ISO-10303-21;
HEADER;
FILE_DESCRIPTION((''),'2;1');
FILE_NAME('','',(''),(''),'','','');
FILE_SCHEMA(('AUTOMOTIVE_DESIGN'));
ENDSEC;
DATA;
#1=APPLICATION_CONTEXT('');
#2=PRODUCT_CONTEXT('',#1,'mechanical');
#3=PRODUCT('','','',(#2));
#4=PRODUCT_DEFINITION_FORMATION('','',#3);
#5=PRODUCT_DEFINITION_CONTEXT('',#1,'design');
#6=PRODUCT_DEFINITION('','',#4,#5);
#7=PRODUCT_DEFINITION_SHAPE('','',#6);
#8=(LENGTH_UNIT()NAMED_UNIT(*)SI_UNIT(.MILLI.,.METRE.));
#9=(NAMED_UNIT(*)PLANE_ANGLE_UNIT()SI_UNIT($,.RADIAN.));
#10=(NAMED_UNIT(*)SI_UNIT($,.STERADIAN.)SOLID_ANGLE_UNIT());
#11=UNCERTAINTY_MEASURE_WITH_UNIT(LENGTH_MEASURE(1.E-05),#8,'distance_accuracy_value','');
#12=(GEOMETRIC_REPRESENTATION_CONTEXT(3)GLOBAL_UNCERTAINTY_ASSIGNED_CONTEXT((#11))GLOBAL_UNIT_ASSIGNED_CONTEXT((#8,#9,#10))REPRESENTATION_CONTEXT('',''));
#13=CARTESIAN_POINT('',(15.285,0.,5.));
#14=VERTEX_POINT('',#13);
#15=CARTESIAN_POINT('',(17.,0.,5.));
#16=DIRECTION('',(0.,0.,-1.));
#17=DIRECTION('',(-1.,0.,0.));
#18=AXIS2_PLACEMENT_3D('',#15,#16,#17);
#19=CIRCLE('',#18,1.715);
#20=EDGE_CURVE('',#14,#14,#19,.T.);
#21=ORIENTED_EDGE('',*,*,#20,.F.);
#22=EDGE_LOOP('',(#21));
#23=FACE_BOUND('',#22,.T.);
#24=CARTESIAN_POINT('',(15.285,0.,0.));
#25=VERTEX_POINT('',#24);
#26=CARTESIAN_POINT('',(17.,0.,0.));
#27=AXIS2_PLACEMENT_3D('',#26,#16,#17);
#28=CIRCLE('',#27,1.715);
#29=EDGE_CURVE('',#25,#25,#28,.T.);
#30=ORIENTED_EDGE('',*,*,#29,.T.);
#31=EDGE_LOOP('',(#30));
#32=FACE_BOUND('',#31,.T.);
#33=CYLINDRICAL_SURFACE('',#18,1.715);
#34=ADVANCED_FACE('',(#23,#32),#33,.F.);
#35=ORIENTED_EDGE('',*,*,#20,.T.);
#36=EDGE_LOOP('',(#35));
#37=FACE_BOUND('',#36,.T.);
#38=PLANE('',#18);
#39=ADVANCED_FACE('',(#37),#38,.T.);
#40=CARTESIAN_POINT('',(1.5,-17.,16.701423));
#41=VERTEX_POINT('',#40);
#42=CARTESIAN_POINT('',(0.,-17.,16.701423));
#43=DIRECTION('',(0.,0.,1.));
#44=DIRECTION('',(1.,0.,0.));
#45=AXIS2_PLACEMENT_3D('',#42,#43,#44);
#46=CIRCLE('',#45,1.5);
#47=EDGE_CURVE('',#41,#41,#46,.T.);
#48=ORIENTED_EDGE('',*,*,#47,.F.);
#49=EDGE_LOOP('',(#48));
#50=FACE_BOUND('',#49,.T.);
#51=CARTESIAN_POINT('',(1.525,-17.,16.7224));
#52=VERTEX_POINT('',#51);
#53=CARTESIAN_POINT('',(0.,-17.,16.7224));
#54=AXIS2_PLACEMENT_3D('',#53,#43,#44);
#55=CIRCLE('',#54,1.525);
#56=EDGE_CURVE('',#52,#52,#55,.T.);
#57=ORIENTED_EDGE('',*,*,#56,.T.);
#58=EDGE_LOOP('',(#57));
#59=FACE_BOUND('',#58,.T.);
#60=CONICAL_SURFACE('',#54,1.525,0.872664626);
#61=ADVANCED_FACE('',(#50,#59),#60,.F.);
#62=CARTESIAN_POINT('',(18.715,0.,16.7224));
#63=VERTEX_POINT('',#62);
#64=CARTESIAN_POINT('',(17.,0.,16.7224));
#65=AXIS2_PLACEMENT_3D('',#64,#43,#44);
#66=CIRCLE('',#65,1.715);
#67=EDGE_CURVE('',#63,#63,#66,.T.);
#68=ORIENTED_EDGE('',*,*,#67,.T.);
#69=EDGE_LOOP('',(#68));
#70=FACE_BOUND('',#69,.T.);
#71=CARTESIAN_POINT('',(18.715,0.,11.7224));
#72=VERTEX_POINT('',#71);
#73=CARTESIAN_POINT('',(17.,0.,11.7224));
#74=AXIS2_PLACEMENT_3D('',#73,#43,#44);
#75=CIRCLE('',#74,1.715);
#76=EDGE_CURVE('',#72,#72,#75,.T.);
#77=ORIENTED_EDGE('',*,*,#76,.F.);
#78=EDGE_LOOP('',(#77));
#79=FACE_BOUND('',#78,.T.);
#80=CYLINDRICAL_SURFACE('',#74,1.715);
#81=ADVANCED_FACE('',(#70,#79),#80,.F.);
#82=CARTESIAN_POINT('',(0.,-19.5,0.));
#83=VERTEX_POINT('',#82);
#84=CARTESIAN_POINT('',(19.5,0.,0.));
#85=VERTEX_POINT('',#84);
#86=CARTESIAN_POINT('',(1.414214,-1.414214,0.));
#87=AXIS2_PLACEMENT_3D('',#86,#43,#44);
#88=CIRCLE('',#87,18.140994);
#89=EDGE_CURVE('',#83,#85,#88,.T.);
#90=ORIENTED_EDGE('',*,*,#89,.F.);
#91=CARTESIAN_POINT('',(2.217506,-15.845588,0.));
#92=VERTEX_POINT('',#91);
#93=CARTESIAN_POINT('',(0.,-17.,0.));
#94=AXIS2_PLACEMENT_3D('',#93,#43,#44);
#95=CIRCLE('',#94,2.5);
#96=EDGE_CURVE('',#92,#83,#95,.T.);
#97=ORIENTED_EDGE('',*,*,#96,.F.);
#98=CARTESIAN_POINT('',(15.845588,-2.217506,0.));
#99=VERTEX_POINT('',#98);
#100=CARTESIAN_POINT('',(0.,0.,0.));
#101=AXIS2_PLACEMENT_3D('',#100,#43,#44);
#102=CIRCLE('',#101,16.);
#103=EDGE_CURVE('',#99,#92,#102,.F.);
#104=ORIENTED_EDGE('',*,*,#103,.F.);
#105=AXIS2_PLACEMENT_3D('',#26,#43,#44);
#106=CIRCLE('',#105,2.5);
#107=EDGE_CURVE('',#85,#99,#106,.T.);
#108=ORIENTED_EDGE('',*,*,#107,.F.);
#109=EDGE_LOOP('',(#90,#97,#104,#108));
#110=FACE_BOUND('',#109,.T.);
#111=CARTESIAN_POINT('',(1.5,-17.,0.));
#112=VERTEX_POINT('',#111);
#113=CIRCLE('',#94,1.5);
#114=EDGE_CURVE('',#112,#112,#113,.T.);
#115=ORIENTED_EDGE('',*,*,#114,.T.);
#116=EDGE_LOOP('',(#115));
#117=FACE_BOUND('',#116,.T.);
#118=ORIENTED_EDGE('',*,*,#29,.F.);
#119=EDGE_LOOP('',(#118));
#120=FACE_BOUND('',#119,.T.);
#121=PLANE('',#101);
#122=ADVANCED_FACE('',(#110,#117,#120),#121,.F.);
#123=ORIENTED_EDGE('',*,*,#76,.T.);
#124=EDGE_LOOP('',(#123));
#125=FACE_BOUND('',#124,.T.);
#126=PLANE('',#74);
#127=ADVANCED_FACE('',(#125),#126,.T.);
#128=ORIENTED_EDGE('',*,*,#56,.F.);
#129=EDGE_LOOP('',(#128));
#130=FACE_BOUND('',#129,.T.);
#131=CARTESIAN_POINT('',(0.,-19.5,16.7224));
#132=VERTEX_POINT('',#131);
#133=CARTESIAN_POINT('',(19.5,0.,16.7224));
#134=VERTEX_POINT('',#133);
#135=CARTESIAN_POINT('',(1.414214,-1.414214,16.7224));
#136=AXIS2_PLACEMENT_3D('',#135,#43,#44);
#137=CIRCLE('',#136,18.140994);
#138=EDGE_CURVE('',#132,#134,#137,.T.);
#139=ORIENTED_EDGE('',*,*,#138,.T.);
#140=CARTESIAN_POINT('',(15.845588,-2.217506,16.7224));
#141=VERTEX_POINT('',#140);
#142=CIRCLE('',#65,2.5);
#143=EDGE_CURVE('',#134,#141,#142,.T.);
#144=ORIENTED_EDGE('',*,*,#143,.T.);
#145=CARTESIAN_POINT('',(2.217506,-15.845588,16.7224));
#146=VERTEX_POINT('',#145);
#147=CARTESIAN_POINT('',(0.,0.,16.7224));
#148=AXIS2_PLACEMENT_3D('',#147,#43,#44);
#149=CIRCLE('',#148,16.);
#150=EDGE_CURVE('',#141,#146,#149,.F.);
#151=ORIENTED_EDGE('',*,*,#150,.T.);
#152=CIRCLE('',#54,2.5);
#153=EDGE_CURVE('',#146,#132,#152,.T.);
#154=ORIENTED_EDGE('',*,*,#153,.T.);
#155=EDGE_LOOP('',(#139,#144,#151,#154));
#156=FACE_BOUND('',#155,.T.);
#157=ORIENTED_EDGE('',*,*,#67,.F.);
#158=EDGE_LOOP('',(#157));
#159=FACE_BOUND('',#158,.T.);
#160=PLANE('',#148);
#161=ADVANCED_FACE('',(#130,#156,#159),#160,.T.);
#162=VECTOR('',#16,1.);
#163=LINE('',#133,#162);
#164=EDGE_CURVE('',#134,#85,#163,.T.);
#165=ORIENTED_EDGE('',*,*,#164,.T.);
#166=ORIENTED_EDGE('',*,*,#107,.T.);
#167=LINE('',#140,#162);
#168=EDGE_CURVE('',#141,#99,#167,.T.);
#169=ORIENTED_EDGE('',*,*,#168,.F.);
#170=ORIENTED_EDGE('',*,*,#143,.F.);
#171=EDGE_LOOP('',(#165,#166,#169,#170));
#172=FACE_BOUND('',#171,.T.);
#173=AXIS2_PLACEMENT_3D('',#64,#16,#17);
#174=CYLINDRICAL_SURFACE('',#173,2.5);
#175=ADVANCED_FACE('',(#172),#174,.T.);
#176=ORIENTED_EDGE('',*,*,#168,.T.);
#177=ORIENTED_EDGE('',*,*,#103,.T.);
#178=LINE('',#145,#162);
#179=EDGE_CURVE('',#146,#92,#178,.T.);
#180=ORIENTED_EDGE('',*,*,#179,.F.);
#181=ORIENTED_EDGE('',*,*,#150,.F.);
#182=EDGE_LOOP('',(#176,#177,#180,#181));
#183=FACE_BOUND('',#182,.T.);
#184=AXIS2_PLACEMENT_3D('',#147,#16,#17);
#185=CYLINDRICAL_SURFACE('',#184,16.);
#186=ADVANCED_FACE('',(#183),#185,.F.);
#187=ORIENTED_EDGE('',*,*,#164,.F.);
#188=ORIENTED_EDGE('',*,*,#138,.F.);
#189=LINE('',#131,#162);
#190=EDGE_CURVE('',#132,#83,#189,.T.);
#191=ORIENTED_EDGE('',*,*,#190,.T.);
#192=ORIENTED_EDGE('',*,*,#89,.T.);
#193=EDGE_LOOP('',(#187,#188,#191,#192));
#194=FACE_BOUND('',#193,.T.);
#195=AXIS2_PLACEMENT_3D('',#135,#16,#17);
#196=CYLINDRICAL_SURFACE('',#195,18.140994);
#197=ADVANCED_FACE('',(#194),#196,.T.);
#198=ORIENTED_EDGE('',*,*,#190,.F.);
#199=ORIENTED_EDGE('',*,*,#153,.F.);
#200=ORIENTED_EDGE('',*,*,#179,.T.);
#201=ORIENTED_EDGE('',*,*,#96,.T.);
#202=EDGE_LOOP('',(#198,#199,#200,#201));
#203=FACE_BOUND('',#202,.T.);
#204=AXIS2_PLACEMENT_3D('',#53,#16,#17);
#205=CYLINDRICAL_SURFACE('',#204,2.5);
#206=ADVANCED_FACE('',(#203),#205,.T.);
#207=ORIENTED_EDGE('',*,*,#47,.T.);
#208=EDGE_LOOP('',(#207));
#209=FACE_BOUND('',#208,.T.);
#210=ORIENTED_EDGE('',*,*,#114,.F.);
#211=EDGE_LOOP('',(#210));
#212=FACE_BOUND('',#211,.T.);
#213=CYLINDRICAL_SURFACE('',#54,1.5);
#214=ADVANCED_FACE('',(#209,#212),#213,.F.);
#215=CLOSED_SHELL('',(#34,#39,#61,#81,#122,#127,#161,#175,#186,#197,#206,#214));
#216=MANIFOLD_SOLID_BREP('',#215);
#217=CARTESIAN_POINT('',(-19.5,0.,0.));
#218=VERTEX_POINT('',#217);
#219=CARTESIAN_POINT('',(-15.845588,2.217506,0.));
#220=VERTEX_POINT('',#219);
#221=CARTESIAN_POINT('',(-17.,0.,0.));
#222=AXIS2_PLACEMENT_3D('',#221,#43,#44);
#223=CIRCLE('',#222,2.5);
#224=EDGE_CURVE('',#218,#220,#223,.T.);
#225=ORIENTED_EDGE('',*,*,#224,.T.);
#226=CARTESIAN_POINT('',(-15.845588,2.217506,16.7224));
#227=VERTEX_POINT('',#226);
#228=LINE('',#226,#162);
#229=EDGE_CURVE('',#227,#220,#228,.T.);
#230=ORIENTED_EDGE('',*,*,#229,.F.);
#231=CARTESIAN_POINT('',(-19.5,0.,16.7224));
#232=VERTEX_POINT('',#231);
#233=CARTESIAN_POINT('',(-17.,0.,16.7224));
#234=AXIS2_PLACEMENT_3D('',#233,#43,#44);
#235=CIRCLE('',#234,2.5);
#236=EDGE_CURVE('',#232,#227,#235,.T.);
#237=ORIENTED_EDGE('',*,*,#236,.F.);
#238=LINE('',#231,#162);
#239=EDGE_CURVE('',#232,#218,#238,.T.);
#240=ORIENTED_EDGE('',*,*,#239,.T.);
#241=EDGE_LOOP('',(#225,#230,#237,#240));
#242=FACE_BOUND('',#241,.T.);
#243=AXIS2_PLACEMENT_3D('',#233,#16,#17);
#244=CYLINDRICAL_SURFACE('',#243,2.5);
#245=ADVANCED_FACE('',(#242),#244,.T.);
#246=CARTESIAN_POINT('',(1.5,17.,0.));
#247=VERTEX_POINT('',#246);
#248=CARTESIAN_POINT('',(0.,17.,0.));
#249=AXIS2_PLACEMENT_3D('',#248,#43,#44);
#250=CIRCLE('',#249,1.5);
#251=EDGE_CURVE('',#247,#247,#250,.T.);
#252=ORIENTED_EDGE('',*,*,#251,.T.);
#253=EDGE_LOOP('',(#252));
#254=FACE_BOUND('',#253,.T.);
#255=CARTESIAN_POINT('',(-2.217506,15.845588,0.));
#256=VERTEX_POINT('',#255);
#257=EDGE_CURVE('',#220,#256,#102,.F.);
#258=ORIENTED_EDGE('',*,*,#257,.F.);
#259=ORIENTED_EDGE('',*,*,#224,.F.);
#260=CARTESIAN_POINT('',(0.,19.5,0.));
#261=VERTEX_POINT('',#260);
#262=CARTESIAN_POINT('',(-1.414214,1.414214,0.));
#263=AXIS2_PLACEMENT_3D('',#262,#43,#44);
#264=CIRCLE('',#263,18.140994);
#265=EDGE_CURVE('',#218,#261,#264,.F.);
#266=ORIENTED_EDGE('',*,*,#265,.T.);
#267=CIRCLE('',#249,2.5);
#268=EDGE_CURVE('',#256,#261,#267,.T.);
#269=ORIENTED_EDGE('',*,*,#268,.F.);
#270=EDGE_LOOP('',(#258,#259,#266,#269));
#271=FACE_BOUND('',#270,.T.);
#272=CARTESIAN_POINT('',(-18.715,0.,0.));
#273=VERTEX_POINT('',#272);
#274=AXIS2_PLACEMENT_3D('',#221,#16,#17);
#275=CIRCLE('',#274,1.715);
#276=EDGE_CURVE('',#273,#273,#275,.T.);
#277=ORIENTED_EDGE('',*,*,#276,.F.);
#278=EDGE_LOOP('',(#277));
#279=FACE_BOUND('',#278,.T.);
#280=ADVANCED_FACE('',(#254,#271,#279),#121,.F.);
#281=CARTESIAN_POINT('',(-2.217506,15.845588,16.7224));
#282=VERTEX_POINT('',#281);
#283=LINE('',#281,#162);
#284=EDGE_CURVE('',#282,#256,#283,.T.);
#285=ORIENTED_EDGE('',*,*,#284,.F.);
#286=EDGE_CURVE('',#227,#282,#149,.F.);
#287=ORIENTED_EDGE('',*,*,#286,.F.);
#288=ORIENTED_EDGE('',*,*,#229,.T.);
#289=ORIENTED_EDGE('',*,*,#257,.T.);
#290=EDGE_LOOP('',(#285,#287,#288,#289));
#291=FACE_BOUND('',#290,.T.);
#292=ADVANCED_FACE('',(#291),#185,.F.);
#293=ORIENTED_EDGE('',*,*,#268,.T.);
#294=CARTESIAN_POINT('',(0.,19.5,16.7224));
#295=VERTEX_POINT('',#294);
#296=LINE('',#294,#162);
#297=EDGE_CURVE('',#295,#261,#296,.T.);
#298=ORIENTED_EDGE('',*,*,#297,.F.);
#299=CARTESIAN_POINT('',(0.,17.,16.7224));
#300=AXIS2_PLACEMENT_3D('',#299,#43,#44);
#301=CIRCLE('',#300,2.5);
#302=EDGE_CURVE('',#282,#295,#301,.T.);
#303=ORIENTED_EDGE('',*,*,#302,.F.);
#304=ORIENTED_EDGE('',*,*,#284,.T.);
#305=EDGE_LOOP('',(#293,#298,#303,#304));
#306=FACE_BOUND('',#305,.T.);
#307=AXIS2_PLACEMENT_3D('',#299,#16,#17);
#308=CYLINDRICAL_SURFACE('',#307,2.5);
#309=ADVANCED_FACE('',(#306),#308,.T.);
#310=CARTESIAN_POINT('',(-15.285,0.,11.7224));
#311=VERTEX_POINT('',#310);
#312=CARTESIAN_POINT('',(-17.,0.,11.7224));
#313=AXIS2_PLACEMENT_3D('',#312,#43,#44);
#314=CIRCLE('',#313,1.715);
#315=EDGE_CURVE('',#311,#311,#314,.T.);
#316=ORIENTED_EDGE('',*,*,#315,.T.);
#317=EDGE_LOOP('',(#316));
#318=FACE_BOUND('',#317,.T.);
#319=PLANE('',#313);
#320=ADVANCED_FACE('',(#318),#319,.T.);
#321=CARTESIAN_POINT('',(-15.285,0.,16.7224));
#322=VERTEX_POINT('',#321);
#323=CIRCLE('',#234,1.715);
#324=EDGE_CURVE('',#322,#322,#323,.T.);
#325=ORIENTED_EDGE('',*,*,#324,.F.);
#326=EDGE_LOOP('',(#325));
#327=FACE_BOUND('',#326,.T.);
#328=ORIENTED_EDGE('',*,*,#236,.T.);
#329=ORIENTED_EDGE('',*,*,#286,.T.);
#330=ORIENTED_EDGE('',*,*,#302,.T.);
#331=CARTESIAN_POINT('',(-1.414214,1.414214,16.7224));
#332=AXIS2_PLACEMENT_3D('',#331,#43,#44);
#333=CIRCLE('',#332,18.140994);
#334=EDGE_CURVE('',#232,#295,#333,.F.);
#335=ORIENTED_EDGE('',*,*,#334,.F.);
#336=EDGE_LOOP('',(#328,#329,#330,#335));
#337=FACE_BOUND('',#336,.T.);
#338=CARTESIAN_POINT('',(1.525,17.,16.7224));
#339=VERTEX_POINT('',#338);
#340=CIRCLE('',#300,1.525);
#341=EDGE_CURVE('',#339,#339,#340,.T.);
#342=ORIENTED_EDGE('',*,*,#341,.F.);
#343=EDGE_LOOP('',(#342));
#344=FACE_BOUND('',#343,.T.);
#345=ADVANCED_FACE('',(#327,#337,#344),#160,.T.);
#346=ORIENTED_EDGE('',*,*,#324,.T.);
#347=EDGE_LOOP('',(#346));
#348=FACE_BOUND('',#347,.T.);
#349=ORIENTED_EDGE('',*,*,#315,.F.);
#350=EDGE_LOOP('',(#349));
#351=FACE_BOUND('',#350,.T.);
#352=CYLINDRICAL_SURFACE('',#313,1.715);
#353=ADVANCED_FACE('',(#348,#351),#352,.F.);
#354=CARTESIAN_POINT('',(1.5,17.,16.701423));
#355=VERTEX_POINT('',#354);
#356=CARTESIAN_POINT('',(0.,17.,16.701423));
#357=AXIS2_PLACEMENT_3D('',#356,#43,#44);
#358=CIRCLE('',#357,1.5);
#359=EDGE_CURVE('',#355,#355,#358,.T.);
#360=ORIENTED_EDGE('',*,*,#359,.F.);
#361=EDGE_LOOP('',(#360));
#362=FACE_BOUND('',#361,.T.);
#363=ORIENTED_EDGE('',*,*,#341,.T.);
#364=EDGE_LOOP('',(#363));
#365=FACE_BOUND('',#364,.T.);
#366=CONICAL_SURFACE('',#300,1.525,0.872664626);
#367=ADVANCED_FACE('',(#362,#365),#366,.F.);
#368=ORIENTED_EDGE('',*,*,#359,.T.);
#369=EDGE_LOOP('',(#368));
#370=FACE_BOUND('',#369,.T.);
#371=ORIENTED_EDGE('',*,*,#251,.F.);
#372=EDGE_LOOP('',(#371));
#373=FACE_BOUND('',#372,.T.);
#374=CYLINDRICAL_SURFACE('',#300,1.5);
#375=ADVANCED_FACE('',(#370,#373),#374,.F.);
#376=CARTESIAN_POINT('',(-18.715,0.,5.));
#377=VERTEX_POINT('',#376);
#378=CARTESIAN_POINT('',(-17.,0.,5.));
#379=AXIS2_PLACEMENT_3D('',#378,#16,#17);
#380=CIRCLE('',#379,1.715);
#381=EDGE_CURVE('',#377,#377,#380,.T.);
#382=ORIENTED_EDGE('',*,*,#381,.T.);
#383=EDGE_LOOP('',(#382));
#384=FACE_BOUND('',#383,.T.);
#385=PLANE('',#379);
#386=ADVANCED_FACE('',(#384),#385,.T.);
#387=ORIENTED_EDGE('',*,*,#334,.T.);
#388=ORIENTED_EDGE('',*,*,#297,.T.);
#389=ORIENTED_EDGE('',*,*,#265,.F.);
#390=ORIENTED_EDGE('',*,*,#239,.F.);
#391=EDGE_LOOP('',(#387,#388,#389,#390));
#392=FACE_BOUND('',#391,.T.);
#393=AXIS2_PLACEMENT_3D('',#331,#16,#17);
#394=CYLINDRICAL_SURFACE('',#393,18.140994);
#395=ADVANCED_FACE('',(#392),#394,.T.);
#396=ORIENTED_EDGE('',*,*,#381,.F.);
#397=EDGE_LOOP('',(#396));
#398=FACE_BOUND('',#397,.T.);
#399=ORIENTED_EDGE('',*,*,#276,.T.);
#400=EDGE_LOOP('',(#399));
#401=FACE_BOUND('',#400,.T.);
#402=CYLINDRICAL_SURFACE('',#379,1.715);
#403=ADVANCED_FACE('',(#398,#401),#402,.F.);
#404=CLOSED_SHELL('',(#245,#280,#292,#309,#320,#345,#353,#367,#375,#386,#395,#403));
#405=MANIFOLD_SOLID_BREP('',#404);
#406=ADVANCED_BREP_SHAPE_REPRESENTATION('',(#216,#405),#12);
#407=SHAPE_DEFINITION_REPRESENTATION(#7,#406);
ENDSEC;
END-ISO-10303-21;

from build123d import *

# Parameters (mm, degrees)
SKETCH1_R                       = 2.5
BOSS_EXTRUDE1_DEPTH             = 16.7224
F_3_0MM_DOWEL_HOLE1_D           = 3
F_3_0MM_DOWEL_HOLE1_CSINK_D     = 3.05
F_3_0MM_DOWEL_HOLE1_CSINK_ANGLE = 100
SKETCH6_R                       = 1.715
CUT_EXTRUDE1_DEPTH              = 5
CUT_EXTRUDE2_START              = -5
SKETCH7_R                       = 1.715
CUT_EXTRUDE2_DEPTH              = 5


with BuildPart() as part:
    # Sketch1 → Boss-Extrude1 (new body)
    with BuildSketch(Plane(origin=(0, 0, 0), x_dir=(0, 1, 0), z_dir=(0, 0, 1))):
        with Locations((0, 17)):
            Circle(SKETCH1_R)
        with BuildLine():
            ThreePointArc((0, 19.5), (1.767766953, 18.767766953), (2.5, 17))
            ThreePointArc((2.5, 17), (2.428349784, 16.405763241), (2.217506139, 15.845588235))
            ThreePointArc((2.217506139, 15.845588235), (11.313708499, 11.313708499), (15.845588235, 2.217506139))
            ThreePointArc((15.845588235, 2.217506139), (18.296913757, 2.137291441), (19.5, 0))
            ThreePointArc((19.5, 0), (14.241833588, 14.241833588), (0, 19.5))
        make_face()
        with Locations((17, 0)):
            Circle(SKETCH1_R)
        with Locations((-17, 0)):
            Circle(SKETCH1_R)
        with Locations((0, -17)):
            Circle(SKETCH1_R)
        with BuildLine():
            ThreePointArc((0, -19.5), (-2.137291441, -18.296913757), (-2.217506139, -15.845588235))
            ThreePointArc((-2.217506139, -15.845588235), (-11.313708499, -11.313708499), (-15.845588235, -2.217506139))
            ThreePointArc((-15.845588235, -2.217506139), (-18.296913757, -2.137291441), (-19.5, 0))
            ThreePointArc((-19.5, 0), (-14.241833588, -14.241833588), (0, -19.5))
        make_face()
    extrude(amount=BOSS_EXTRUDE1_DEPTH)

    # Ø3.0mm Dowel Hole1 (through all)
    with Locations(Plane.XY.offset(16.7224)):
        with Locations((0, 17), (0, -17)):
            CounterSinkHole(F_3_0MM_DOWEL_HOLE1_D / 2, F_3_0MM_DOWEL_HOLE1_CSINK_D / 2, counter_sink_angle=F_3_0MM_DOWEL_HOLE1_CSINK_ANGLE)

    # Sketch6 → Cut-Extrude1 (cut)
    with BuildSketch(Plane.XY.offset(16.7224)):
        with Locations((-17, 0)):
            Circle(SKETCH6_R)
        with Locations((17, 0)):
            Circle(SKETCH6_R)
    extrude(amount=-CUT_EXTRUDE1_DEPTH, mode=Mode.SUBTRACT)

    # Sketch7 → Cut-Extrude2 (cut)
    with BuildSketch(Plane(origin=(0, 0, 0), x_dir=(1, 0, 0), z_dir=(0, 0, -1)).offset(CUT_EXTRUDE2_START)):
        with Locations((-17, 0)):
            Circle(SKETCH7_R)
        with Locations((17, 0)):
            Circle(SKETCH7_R)
    extrude(amount=CUT_EXTRUDE2_DEPTH, mode=Mode.SUBTRACT)


solid = part.part
